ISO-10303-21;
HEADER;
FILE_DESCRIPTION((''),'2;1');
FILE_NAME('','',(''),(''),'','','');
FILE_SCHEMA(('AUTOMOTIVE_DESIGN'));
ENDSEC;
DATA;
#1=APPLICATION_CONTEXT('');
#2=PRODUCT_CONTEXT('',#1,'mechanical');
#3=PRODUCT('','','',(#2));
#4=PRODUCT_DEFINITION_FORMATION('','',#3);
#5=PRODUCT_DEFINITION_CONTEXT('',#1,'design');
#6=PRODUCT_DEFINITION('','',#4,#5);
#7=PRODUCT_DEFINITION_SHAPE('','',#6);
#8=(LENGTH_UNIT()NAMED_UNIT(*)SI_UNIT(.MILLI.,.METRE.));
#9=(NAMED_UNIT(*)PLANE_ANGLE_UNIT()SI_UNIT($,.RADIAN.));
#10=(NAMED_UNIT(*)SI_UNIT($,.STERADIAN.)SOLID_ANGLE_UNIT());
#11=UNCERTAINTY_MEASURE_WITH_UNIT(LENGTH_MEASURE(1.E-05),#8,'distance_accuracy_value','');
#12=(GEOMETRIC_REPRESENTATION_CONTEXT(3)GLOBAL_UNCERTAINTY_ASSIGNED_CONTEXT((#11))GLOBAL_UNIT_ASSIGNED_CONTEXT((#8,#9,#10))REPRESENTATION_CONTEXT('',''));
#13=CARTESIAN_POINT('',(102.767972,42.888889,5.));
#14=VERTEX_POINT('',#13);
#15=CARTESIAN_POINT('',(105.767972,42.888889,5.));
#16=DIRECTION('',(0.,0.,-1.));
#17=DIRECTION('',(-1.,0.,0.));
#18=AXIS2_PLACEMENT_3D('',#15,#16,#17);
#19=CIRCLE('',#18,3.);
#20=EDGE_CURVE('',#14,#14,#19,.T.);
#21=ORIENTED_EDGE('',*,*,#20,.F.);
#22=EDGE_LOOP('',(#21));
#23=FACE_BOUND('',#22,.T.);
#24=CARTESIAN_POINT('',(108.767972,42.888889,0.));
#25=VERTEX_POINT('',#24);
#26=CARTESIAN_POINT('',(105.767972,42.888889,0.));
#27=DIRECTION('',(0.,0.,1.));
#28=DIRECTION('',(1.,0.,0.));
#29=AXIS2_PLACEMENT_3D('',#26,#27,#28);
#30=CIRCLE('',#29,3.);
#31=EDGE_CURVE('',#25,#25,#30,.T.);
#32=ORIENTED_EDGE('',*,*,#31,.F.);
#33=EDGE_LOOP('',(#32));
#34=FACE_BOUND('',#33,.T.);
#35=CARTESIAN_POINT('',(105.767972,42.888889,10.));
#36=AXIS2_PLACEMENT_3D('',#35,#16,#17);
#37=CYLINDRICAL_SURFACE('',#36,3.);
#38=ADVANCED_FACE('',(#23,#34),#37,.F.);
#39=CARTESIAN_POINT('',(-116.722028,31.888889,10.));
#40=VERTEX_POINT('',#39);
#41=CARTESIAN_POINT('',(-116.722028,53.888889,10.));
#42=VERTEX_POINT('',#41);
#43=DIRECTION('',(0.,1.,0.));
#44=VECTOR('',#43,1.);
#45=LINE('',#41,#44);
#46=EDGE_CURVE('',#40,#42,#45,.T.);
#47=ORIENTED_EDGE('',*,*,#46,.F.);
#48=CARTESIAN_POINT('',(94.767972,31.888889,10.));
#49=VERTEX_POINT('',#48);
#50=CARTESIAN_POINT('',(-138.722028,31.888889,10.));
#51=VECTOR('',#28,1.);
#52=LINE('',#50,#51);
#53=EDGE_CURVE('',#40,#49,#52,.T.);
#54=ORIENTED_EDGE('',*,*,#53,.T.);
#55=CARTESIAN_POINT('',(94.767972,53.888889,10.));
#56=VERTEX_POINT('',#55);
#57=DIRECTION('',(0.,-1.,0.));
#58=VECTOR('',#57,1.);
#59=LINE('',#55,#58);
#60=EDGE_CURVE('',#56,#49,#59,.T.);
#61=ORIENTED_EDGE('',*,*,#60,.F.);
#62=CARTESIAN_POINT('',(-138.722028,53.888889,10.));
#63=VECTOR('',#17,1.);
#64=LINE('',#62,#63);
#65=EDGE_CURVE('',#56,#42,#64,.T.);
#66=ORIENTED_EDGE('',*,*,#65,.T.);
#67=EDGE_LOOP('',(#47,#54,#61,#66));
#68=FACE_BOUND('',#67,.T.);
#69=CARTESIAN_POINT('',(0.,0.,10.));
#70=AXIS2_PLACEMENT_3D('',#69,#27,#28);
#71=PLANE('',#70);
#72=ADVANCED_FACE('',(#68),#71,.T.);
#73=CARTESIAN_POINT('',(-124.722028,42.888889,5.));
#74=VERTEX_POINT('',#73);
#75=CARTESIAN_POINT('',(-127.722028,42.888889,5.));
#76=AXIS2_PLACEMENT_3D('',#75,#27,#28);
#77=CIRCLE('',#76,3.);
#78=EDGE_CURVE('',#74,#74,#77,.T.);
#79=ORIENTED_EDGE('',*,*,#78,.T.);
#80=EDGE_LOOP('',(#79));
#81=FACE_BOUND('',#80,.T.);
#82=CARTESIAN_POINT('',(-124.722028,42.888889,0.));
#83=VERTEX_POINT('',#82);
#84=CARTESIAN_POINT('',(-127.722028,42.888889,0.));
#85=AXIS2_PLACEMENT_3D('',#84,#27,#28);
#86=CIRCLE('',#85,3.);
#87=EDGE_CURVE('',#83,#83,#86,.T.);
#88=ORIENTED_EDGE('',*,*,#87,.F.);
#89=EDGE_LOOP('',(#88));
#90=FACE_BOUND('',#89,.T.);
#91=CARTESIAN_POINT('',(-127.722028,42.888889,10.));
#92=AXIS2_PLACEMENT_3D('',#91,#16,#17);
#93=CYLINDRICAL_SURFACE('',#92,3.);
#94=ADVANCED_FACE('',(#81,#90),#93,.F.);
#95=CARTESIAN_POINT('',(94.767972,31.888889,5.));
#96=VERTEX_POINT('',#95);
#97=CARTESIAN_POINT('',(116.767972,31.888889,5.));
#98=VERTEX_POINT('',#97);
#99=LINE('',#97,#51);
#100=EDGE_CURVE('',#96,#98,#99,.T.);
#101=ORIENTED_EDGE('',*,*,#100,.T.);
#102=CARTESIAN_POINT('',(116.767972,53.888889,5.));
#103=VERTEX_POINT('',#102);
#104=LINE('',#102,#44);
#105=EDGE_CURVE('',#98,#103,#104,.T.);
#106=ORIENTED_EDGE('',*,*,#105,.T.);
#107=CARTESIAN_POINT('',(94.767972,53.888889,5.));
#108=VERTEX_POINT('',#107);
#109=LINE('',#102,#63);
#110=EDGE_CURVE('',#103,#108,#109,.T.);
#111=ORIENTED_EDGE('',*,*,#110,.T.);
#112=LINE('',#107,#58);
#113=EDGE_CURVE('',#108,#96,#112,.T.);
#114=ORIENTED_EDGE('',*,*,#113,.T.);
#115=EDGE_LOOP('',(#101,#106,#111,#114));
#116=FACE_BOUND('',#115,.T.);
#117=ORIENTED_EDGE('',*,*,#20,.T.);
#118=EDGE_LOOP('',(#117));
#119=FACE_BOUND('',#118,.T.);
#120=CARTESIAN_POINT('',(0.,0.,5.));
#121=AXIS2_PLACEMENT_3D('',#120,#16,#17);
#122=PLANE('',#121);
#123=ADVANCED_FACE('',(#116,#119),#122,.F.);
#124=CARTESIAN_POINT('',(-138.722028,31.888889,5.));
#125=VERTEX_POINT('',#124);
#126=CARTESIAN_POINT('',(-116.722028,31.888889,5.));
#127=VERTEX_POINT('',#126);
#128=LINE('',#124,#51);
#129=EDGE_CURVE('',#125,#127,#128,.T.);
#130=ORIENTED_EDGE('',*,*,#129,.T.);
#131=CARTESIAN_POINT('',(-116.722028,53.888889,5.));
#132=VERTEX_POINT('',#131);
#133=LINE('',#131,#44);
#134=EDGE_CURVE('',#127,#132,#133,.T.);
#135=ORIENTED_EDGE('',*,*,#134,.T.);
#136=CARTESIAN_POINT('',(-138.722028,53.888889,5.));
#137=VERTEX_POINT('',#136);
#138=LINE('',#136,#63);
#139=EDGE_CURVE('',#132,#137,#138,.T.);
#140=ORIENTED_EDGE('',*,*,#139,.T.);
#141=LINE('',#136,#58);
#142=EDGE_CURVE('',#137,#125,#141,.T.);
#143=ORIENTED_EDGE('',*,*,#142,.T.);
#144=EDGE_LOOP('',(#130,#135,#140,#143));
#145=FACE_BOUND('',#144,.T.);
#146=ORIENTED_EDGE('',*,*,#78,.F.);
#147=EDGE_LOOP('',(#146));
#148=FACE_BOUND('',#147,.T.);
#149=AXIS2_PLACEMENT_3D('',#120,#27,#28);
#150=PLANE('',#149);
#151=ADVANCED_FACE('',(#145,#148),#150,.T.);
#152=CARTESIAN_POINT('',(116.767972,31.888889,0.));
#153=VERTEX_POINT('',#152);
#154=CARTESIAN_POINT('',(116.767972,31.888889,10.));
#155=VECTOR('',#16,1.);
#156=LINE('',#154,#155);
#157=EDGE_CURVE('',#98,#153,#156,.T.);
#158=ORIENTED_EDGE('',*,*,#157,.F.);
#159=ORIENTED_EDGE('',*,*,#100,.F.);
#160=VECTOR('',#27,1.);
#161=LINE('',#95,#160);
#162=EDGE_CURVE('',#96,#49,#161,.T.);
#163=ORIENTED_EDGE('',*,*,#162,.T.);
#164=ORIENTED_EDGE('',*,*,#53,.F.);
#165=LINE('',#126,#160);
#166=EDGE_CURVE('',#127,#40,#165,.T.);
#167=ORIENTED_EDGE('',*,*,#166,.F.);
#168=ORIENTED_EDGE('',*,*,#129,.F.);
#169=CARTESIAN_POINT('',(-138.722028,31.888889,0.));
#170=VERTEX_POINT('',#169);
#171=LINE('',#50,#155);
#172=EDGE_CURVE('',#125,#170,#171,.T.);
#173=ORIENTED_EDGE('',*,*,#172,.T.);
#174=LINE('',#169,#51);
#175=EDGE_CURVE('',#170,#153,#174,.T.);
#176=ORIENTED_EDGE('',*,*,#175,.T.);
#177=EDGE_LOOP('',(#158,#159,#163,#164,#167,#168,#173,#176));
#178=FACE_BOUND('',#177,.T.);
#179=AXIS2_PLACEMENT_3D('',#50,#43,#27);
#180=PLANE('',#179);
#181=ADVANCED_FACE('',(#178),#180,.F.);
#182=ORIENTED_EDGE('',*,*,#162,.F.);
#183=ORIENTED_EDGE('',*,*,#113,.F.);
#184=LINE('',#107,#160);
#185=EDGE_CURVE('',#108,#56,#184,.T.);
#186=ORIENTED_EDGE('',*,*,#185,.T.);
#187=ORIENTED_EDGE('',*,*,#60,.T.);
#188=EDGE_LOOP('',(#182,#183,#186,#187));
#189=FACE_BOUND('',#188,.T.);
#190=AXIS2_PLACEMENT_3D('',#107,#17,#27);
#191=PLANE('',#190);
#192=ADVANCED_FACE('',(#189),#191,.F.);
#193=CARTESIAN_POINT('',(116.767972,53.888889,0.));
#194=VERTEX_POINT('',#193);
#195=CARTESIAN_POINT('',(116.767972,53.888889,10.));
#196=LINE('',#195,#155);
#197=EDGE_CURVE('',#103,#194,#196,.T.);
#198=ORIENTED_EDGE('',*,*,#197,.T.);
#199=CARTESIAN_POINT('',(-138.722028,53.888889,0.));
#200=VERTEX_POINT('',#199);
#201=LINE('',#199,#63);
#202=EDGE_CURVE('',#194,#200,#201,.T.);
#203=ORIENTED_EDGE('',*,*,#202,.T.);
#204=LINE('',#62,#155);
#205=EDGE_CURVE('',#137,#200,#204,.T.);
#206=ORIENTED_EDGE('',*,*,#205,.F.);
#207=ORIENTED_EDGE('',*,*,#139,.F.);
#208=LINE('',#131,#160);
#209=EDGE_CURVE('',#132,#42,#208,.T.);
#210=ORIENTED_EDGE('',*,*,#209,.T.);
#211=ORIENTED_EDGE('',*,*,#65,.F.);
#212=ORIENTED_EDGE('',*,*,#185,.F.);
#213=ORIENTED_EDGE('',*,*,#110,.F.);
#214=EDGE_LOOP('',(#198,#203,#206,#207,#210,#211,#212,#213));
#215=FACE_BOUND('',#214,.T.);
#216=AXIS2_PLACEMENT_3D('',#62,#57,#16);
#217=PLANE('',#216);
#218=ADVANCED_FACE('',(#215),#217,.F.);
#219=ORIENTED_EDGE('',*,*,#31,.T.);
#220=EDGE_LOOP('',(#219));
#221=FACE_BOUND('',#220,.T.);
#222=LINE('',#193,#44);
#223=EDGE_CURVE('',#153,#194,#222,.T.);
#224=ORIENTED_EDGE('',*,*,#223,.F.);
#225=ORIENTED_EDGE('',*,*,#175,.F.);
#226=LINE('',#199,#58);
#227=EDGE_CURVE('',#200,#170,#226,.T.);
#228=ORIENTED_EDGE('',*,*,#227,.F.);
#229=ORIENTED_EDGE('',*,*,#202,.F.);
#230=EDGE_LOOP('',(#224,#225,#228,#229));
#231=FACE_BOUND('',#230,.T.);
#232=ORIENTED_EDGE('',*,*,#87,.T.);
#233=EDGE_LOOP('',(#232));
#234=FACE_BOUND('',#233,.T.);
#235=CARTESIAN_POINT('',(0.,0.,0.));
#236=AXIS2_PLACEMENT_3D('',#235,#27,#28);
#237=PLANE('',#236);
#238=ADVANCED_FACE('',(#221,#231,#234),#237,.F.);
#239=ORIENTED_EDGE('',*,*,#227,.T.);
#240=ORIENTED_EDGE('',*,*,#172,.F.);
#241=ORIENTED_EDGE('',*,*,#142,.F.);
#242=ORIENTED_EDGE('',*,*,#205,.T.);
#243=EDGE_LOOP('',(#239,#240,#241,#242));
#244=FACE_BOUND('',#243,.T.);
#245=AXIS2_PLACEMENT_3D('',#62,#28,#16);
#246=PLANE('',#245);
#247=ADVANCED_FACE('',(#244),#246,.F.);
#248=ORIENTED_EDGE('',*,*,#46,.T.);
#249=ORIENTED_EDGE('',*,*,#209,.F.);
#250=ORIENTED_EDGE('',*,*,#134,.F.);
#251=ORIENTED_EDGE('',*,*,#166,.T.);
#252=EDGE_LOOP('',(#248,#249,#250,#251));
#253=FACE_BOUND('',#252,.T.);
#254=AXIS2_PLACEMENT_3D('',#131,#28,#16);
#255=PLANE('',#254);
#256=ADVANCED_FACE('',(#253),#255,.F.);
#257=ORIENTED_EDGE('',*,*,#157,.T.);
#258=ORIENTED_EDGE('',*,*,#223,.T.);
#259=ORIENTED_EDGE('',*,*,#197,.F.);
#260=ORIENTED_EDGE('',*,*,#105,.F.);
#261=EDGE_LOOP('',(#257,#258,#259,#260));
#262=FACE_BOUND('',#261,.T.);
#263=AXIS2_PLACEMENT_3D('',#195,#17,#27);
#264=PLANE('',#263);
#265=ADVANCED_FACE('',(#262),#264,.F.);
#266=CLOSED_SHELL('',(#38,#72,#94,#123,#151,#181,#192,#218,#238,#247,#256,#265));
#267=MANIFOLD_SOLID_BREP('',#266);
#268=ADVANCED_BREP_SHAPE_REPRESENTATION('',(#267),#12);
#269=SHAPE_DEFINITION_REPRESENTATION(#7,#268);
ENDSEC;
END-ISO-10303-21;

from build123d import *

# Parameters (mm, degrees)
ESQUISSE1_W             = 255.49
ESQUISSE1_H             = 22
ESQUISSE1_R             = 3
BOSS_EXTRU_1_DEPTH      = 10
ESQUISSE2_W             = 22
ESQUISSE2_H             = 22
ENL_V_MAT_EXTRU_1_DEPTH = 5


with BuildPart() as part:
    # Esquisse1 → Boss.-Extru.1 (new body)
    with BuildSketch(Plane.XY):
        with Locations((-10.977028198, 42.888888889)):
            Rectangle(ESQUISSE1_W, ESQUISSE1_H)
        with Locations((-127.722028198, 42.888888889)):
            Circle(ESQUISSE1_R, mode=Mode.SUBTRACT)
        with Locations((105.767971802, 42.888888889)):
            Circle(ESQUISSE1_R, mode=Mode.SUBTRACT)
    extrude(amount=BOSS_EXTRU_1_DEPTH)

    # Esquisse2 → Enlèv. mat.-Extru.1 (cut)
    with BuildSketch(Plane.XY.offset(10)):
        with Locations((-127.722028198, 42.888888889)):
            Rectangle(ESQUISSE2_W, ESQUISSE2_H)
        with Locations((105.767971802, 42.888888889)):
            Rectangle(ESQUISSE2_W, ESQUISSE2_H)
    extrude(amount=-ENL_V_MAT_EXTRU_1_DEPTH, mode=Mode.SUBTRACT)


solid = part.part
